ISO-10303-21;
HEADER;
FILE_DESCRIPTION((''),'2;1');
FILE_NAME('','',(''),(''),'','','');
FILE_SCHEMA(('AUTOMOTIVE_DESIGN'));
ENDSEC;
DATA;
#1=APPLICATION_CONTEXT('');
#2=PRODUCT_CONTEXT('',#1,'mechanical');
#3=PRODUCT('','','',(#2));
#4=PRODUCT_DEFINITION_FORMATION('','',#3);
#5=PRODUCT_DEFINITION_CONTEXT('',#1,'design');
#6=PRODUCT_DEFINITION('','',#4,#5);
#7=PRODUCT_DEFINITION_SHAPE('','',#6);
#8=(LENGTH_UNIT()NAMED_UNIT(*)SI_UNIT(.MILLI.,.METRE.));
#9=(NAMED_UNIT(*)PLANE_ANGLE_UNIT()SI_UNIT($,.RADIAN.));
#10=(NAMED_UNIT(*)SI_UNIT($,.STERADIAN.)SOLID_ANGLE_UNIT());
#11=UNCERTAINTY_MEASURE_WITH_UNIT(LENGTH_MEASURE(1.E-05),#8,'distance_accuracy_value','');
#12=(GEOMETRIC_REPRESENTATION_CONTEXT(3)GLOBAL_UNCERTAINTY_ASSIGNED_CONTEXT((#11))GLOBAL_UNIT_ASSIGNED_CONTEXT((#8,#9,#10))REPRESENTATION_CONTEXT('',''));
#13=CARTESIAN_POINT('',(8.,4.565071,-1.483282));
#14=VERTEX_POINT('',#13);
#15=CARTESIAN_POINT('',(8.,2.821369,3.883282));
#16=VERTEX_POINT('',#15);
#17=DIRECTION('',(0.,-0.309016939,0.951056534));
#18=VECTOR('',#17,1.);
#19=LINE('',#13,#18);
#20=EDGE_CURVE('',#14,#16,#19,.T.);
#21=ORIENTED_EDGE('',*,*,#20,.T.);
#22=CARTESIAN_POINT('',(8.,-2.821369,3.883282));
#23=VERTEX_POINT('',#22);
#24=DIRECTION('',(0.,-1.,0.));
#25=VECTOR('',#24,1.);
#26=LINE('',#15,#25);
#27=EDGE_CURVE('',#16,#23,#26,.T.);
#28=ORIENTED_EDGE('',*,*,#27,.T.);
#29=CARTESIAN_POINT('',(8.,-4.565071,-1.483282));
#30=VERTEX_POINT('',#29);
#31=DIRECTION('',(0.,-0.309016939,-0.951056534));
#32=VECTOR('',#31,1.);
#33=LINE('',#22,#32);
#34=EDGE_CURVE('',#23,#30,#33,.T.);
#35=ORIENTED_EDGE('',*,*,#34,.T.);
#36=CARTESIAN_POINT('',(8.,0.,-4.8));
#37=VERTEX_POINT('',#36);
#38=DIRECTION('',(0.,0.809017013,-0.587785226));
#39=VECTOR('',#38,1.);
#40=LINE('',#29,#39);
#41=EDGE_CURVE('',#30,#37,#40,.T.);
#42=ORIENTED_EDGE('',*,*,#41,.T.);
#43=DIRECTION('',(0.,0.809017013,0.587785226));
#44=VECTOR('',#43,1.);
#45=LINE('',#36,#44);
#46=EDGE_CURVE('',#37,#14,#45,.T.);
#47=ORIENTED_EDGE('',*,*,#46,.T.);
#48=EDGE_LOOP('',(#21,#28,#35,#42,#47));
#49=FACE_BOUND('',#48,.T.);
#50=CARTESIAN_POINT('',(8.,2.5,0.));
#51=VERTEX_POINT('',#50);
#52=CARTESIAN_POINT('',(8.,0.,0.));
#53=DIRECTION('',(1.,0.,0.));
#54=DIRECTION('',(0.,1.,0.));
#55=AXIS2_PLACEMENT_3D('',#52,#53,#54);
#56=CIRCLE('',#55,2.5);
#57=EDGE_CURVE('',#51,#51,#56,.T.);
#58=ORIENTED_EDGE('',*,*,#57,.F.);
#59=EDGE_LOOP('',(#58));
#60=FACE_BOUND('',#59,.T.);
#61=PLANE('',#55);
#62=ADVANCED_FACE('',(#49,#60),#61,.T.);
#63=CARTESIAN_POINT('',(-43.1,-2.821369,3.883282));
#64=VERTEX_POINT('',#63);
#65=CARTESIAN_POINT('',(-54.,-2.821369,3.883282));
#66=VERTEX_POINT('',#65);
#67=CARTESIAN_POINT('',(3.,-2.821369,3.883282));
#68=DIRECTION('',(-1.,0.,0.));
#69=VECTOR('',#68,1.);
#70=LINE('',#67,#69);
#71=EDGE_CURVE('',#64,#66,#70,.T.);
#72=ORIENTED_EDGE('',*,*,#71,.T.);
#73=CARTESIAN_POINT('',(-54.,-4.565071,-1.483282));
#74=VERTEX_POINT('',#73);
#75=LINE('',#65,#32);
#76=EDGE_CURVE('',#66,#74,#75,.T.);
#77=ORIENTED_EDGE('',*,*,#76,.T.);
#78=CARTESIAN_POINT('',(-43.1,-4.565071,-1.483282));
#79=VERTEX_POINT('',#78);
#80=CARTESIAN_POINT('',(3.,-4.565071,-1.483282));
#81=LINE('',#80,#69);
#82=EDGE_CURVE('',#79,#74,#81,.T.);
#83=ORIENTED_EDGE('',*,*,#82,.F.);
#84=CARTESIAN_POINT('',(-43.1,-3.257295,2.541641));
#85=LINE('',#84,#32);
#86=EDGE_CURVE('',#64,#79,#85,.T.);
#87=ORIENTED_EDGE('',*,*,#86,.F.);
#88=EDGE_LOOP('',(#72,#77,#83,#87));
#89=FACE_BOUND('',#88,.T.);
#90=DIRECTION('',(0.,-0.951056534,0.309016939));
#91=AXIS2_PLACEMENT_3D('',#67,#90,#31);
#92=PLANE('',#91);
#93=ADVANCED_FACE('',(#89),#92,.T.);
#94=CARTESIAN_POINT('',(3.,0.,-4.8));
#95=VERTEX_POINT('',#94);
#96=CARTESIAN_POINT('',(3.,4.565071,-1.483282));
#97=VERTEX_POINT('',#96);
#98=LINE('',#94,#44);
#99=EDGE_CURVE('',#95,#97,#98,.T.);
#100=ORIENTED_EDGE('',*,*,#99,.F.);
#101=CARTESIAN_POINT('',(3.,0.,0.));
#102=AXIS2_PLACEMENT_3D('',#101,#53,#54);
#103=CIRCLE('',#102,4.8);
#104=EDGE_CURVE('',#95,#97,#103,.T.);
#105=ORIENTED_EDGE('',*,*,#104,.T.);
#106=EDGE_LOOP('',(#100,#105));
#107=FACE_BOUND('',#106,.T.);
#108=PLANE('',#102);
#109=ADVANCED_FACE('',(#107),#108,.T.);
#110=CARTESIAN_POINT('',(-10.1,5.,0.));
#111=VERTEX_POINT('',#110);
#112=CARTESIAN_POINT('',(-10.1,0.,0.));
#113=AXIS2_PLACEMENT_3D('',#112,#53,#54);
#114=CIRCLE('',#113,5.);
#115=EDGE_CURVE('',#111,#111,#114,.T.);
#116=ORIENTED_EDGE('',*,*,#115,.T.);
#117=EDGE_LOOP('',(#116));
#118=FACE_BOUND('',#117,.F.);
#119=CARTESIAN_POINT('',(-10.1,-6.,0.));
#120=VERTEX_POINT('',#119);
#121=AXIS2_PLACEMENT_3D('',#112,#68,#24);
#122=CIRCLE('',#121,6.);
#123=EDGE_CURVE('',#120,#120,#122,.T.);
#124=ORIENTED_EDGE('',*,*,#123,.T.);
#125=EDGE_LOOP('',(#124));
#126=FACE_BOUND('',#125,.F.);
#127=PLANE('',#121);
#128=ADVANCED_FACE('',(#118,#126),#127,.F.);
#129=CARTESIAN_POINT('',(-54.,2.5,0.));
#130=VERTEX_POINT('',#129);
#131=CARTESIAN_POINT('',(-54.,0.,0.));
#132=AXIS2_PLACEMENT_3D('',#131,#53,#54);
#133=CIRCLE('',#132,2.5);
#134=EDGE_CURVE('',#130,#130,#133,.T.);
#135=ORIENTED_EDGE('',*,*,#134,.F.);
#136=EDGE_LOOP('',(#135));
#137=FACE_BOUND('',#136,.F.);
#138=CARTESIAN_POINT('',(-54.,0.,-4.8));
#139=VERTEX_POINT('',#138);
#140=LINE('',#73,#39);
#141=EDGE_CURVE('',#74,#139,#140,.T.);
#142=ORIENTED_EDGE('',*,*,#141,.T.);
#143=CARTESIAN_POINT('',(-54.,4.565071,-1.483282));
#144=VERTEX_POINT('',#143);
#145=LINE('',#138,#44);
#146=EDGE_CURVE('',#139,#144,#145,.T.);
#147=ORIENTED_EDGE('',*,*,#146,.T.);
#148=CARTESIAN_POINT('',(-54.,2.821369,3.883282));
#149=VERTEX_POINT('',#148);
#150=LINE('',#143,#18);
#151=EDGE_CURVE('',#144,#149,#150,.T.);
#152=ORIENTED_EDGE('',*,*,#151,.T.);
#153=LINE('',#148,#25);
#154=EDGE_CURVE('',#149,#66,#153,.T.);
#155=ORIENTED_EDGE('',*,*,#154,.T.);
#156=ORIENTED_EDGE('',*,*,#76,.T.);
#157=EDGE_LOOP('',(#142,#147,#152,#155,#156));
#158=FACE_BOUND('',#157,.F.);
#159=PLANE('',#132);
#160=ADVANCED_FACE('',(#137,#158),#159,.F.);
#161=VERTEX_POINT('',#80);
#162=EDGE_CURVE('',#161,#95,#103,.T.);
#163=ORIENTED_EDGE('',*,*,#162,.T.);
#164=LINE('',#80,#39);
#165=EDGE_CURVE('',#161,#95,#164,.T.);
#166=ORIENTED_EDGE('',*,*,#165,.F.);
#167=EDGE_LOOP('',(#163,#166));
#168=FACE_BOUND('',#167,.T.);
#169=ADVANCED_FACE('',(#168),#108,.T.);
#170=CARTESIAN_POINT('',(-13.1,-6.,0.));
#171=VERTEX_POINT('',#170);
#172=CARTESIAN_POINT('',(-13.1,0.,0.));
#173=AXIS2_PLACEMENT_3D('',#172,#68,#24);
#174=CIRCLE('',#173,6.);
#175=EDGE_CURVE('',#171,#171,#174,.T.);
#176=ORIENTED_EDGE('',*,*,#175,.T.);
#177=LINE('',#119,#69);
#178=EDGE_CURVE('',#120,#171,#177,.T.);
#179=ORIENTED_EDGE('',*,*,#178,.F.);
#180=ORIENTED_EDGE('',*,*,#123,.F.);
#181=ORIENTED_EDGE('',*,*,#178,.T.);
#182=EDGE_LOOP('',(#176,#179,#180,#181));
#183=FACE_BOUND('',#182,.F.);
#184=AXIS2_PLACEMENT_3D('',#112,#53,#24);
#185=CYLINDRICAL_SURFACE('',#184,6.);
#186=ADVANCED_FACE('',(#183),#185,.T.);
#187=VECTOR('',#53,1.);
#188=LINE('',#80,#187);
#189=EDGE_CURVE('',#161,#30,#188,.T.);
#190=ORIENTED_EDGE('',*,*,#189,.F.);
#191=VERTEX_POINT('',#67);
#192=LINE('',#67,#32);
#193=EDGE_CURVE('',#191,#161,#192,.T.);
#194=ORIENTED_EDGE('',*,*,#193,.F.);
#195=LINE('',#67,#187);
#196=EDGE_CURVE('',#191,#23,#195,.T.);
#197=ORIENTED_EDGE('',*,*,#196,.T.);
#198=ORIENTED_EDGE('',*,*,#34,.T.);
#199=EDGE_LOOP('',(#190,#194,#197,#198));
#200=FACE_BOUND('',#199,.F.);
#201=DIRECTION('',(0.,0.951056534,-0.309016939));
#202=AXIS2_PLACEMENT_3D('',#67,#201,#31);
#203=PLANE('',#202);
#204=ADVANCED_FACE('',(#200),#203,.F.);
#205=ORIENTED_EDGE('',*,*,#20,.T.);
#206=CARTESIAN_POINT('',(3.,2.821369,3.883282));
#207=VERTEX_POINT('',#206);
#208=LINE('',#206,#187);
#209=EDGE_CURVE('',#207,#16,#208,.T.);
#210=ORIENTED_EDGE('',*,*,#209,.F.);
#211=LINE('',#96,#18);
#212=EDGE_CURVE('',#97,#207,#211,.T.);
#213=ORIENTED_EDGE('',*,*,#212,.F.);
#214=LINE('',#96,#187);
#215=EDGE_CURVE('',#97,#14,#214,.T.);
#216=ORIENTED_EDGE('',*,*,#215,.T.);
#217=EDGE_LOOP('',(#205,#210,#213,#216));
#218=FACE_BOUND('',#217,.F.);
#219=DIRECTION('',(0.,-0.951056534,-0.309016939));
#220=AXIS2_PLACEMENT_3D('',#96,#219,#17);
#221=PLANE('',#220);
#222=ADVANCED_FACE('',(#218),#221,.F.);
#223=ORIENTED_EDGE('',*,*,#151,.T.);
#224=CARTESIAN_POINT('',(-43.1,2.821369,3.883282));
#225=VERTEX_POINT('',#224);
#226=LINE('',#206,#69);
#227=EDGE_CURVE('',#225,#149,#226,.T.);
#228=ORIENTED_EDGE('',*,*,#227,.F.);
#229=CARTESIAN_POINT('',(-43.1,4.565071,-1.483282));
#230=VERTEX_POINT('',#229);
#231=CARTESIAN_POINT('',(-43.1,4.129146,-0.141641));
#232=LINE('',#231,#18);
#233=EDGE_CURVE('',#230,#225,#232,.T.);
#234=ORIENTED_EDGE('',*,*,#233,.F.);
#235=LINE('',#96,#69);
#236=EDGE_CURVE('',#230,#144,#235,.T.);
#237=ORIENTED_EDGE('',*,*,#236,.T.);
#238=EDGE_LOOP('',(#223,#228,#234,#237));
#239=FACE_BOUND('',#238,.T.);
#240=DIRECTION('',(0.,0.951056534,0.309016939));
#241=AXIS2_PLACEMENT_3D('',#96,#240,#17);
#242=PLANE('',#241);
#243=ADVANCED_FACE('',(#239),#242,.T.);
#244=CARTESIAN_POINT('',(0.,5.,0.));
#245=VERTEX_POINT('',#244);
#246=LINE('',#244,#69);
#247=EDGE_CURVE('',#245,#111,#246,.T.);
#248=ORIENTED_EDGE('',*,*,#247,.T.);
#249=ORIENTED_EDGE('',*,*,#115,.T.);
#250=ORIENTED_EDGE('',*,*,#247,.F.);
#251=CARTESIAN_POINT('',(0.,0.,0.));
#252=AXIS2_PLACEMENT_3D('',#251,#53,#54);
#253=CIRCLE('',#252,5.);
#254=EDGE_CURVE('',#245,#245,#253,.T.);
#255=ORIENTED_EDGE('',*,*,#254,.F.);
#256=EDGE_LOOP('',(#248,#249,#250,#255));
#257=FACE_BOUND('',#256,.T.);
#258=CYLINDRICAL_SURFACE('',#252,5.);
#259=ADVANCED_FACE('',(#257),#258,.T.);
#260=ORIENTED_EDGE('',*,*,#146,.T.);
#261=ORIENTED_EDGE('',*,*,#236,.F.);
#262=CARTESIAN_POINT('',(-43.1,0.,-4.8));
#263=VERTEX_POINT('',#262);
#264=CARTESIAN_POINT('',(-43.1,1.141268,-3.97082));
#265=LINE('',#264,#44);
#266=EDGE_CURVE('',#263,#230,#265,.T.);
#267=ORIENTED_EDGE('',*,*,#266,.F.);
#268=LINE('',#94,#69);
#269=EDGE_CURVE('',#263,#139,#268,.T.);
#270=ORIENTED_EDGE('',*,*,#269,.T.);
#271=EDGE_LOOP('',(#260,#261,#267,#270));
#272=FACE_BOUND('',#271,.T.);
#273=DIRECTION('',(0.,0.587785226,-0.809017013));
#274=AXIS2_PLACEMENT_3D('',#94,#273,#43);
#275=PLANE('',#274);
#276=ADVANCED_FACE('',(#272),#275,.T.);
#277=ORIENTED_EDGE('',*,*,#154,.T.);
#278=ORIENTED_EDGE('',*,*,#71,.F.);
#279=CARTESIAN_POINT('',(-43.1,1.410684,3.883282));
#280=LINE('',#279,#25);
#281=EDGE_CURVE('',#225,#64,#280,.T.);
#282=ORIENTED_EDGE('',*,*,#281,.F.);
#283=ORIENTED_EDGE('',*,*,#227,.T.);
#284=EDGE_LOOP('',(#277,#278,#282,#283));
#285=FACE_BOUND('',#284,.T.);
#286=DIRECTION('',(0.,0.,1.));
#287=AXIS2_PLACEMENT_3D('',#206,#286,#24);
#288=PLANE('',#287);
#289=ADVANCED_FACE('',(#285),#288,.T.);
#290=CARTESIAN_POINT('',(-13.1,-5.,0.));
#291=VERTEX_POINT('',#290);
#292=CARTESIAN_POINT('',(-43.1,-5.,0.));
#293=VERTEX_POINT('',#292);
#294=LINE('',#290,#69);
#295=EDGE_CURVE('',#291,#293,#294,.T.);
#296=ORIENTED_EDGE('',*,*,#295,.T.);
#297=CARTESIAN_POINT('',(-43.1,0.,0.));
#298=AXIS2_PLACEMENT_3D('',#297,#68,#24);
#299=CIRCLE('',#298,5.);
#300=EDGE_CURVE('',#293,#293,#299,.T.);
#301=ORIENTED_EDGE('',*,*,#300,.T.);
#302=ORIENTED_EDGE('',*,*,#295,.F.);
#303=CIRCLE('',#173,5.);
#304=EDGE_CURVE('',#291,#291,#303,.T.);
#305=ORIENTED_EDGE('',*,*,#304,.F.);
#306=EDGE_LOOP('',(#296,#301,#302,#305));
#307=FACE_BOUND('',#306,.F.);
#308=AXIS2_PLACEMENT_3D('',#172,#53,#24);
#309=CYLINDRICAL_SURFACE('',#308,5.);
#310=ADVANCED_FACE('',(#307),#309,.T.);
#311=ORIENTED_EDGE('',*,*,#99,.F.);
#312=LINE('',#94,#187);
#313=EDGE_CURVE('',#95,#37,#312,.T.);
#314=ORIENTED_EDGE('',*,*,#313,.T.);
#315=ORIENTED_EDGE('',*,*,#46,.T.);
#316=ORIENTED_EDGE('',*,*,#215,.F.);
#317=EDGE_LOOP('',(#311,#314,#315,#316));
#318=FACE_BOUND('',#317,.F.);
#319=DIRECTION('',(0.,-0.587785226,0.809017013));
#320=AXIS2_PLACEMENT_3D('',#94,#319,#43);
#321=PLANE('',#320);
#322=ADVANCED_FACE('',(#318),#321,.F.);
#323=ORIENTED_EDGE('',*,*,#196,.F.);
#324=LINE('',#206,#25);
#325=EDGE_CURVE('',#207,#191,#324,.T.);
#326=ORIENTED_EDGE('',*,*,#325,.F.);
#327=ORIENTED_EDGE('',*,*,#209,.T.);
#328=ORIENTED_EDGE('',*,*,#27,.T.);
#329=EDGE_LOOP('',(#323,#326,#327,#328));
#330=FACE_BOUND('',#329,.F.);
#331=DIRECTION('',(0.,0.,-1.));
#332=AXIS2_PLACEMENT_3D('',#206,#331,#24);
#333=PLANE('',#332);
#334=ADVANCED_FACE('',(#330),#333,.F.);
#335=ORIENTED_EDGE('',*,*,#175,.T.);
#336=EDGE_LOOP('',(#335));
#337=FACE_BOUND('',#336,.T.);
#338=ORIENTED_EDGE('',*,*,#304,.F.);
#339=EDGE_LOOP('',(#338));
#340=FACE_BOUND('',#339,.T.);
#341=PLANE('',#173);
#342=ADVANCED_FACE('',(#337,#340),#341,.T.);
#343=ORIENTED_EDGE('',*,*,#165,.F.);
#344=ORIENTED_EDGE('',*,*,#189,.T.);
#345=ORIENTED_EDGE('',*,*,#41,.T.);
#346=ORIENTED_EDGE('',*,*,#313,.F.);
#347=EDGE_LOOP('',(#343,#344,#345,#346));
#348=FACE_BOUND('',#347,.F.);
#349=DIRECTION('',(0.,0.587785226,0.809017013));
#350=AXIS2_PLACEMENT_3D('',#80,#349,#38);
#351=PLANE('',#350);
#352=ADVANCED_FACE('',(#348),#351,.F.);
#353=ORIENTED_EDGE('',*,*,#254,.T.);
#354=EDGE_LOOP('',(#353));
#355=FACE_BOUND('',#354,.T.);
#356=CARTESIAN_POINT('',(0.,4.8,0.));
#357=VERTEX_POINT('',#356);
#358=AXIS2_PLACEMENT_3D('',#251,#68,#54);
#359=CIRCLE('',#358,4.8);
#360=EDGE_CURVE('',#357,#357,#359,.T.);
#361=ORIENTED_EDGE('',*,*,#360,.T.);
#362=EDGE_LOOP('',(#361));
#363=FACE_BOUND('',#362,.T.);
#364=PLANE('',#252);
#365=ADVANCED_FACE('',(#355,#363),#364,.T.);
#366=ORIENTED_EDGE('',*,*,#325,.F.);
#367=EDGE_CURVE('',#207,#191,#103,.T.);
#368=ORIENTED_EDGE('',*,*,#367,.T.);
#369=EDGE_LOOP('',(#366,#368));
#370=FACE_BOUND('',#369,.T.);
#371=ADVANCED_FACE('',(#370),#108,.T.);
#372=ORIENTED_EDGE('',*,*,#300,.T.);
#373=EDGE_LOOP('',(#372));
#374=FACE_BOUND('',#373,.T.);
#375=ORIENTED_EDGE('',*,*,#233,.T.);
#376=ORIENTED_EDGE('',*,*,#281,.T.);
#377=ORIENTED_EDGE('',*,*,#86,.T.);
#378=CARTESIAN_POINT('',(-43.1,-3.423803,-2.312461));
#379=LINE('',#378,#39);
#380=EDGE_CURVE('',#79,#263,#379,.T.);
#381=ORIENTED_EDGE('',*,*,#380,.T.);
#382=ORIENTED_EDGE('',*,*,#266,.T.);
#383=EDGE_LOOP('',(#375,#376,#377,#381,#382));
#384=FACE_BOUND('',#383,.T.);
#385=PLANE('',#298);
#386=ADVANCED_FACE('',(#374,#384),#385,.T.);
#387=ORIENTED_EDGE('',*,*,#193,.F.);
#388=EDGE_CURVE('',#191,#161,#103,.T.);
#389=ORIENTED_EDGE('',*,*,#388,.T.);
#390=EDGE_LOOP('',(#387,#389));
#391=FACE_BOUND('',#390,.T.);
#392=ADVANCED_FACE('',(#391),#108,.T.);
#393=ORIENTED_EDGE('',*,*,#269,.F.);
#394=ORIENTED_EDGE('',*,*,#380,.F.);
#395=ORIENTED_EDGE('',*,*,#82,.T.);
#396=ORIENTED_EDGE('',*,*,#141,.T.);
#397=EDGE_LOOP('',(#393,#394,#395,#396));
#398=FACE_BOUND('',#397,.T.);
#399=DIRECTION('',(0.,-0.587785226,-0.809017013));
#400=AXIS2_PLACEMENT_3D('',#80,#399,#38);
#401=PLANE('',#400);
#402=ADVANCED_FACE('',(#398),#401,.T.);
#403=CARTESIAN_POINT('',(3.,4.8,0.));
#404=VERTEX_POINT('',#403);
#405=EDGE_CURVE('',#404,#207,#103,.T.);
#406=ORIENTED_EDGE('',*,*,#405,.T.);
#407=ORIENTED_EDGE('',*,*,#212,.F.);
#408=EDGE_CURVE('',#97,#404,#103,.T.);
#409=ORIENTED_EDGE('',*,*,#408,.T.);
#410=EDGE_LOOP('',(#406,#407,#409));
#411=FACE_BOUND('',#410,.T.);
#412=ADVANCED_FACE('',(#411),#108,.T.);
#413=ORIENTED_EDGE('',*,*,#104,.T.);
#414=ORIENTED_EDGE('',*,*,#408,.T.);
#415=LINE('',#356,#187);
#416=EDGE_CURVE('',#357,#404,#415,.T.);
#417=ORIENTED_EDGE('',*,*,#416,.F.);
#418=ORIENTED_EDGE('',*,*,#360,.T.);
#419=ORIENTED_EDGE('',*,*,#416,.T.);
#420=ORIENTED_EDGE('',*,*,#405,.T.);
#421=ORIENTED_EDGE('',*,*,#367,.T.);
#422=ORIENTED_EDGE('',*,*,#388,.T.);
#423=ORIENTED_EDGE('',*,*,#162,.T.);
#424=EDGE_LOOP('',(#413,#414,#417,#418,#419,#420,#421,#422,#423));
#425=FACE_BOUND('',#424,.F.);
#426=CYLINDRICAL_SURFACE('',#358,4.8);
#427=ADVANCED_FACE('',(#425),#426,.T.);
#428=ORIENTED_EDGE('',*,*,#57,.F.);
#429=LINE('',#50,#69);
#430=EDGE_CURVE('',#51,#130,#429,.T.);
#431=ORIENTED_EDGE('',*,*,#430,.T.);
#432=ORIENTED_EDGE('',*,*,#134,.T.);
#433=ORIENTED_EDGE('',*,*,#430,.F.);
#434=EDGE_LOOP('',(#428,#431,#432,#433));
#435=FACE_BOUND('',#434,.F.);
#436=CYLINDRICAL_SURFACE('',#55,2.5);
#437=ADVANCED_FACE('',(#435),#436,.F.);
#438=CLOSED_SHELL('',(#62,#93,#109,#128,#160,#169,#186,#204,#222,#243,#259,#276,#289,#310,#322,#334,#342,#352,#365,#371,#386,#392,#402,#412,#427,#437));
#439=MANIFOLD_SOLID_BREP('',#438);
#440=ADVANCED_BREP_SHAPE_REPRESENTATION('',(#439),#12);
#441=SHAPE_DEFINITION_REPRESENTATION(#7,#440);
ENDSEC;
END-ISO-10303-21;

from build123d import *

# Parameters (mm, degrees)
F0_R          = 5
F1_DEPTH      = 10.1
F2_R          = 4.8
F3_DEPTH      = 3
F5_DEPTH      = 5
F5_DEPTH_BACK = 57
F6_R          = 6
F7_DEPTH      = 3
F8_R          = 5
F9_DEPTH      = 30
F10_R         = 2.5
F11_DEPTH     = 80


with BuildPart() as f1:
    # F0 (on Right) → F1 (new body)
    with BuildSketch(Plane.YZ):
        Circle(F0_R)
    extrude(amount=-F1_DEPTH)

    # F2 (on face) → F3 (join)
    with BuildSketch(Plane.YZ):
        Circle(F2_R)
    extrude(amount=F3_DEPTH)

    # F4 (on face) → F5 (join, two sides)
    with BuildSketch(Plane.YZ.offset(3)) as f5_sk:
        Polygon((-4.565071, -1.483282), (0, -4.8), (4.565071, -1.483282), (2.821369, 3.883282), (-2.821369, 3.883282), align=None)
    extrude(amount=F5_DEPTH)
    extrude(f5_sk.sketch, amount=-F5_DEPTH_BACK)

    # F6 (on face) → F7 (join)
    with BuildSketch(Plane(origin=(-10.1, 0, 0), x_dir=(0, -1, 0), z_dir=(-1, 0, 0))):
        Circle(F6_R)
    extrude(amount=F7_DEPTH)

    # F8 (on face) → F9 (join)
    with BuildSketch(Plane(origin=(-13.1, 0, 0), x_dir=(0, -1, 0), z_dir=(-1, 0, 0))):
        Circle(F8_R)
    extrude(amount=F9_DEPTH)

    # F10 (on face) → F11 (cut)
    with BuildSketch(Plane.YZ.offset(8)):
        Circle(F10_R)
    extrude(amount=-F11_DEPTH, mode=Mode.SUBTRACT)


solid = f1.part
